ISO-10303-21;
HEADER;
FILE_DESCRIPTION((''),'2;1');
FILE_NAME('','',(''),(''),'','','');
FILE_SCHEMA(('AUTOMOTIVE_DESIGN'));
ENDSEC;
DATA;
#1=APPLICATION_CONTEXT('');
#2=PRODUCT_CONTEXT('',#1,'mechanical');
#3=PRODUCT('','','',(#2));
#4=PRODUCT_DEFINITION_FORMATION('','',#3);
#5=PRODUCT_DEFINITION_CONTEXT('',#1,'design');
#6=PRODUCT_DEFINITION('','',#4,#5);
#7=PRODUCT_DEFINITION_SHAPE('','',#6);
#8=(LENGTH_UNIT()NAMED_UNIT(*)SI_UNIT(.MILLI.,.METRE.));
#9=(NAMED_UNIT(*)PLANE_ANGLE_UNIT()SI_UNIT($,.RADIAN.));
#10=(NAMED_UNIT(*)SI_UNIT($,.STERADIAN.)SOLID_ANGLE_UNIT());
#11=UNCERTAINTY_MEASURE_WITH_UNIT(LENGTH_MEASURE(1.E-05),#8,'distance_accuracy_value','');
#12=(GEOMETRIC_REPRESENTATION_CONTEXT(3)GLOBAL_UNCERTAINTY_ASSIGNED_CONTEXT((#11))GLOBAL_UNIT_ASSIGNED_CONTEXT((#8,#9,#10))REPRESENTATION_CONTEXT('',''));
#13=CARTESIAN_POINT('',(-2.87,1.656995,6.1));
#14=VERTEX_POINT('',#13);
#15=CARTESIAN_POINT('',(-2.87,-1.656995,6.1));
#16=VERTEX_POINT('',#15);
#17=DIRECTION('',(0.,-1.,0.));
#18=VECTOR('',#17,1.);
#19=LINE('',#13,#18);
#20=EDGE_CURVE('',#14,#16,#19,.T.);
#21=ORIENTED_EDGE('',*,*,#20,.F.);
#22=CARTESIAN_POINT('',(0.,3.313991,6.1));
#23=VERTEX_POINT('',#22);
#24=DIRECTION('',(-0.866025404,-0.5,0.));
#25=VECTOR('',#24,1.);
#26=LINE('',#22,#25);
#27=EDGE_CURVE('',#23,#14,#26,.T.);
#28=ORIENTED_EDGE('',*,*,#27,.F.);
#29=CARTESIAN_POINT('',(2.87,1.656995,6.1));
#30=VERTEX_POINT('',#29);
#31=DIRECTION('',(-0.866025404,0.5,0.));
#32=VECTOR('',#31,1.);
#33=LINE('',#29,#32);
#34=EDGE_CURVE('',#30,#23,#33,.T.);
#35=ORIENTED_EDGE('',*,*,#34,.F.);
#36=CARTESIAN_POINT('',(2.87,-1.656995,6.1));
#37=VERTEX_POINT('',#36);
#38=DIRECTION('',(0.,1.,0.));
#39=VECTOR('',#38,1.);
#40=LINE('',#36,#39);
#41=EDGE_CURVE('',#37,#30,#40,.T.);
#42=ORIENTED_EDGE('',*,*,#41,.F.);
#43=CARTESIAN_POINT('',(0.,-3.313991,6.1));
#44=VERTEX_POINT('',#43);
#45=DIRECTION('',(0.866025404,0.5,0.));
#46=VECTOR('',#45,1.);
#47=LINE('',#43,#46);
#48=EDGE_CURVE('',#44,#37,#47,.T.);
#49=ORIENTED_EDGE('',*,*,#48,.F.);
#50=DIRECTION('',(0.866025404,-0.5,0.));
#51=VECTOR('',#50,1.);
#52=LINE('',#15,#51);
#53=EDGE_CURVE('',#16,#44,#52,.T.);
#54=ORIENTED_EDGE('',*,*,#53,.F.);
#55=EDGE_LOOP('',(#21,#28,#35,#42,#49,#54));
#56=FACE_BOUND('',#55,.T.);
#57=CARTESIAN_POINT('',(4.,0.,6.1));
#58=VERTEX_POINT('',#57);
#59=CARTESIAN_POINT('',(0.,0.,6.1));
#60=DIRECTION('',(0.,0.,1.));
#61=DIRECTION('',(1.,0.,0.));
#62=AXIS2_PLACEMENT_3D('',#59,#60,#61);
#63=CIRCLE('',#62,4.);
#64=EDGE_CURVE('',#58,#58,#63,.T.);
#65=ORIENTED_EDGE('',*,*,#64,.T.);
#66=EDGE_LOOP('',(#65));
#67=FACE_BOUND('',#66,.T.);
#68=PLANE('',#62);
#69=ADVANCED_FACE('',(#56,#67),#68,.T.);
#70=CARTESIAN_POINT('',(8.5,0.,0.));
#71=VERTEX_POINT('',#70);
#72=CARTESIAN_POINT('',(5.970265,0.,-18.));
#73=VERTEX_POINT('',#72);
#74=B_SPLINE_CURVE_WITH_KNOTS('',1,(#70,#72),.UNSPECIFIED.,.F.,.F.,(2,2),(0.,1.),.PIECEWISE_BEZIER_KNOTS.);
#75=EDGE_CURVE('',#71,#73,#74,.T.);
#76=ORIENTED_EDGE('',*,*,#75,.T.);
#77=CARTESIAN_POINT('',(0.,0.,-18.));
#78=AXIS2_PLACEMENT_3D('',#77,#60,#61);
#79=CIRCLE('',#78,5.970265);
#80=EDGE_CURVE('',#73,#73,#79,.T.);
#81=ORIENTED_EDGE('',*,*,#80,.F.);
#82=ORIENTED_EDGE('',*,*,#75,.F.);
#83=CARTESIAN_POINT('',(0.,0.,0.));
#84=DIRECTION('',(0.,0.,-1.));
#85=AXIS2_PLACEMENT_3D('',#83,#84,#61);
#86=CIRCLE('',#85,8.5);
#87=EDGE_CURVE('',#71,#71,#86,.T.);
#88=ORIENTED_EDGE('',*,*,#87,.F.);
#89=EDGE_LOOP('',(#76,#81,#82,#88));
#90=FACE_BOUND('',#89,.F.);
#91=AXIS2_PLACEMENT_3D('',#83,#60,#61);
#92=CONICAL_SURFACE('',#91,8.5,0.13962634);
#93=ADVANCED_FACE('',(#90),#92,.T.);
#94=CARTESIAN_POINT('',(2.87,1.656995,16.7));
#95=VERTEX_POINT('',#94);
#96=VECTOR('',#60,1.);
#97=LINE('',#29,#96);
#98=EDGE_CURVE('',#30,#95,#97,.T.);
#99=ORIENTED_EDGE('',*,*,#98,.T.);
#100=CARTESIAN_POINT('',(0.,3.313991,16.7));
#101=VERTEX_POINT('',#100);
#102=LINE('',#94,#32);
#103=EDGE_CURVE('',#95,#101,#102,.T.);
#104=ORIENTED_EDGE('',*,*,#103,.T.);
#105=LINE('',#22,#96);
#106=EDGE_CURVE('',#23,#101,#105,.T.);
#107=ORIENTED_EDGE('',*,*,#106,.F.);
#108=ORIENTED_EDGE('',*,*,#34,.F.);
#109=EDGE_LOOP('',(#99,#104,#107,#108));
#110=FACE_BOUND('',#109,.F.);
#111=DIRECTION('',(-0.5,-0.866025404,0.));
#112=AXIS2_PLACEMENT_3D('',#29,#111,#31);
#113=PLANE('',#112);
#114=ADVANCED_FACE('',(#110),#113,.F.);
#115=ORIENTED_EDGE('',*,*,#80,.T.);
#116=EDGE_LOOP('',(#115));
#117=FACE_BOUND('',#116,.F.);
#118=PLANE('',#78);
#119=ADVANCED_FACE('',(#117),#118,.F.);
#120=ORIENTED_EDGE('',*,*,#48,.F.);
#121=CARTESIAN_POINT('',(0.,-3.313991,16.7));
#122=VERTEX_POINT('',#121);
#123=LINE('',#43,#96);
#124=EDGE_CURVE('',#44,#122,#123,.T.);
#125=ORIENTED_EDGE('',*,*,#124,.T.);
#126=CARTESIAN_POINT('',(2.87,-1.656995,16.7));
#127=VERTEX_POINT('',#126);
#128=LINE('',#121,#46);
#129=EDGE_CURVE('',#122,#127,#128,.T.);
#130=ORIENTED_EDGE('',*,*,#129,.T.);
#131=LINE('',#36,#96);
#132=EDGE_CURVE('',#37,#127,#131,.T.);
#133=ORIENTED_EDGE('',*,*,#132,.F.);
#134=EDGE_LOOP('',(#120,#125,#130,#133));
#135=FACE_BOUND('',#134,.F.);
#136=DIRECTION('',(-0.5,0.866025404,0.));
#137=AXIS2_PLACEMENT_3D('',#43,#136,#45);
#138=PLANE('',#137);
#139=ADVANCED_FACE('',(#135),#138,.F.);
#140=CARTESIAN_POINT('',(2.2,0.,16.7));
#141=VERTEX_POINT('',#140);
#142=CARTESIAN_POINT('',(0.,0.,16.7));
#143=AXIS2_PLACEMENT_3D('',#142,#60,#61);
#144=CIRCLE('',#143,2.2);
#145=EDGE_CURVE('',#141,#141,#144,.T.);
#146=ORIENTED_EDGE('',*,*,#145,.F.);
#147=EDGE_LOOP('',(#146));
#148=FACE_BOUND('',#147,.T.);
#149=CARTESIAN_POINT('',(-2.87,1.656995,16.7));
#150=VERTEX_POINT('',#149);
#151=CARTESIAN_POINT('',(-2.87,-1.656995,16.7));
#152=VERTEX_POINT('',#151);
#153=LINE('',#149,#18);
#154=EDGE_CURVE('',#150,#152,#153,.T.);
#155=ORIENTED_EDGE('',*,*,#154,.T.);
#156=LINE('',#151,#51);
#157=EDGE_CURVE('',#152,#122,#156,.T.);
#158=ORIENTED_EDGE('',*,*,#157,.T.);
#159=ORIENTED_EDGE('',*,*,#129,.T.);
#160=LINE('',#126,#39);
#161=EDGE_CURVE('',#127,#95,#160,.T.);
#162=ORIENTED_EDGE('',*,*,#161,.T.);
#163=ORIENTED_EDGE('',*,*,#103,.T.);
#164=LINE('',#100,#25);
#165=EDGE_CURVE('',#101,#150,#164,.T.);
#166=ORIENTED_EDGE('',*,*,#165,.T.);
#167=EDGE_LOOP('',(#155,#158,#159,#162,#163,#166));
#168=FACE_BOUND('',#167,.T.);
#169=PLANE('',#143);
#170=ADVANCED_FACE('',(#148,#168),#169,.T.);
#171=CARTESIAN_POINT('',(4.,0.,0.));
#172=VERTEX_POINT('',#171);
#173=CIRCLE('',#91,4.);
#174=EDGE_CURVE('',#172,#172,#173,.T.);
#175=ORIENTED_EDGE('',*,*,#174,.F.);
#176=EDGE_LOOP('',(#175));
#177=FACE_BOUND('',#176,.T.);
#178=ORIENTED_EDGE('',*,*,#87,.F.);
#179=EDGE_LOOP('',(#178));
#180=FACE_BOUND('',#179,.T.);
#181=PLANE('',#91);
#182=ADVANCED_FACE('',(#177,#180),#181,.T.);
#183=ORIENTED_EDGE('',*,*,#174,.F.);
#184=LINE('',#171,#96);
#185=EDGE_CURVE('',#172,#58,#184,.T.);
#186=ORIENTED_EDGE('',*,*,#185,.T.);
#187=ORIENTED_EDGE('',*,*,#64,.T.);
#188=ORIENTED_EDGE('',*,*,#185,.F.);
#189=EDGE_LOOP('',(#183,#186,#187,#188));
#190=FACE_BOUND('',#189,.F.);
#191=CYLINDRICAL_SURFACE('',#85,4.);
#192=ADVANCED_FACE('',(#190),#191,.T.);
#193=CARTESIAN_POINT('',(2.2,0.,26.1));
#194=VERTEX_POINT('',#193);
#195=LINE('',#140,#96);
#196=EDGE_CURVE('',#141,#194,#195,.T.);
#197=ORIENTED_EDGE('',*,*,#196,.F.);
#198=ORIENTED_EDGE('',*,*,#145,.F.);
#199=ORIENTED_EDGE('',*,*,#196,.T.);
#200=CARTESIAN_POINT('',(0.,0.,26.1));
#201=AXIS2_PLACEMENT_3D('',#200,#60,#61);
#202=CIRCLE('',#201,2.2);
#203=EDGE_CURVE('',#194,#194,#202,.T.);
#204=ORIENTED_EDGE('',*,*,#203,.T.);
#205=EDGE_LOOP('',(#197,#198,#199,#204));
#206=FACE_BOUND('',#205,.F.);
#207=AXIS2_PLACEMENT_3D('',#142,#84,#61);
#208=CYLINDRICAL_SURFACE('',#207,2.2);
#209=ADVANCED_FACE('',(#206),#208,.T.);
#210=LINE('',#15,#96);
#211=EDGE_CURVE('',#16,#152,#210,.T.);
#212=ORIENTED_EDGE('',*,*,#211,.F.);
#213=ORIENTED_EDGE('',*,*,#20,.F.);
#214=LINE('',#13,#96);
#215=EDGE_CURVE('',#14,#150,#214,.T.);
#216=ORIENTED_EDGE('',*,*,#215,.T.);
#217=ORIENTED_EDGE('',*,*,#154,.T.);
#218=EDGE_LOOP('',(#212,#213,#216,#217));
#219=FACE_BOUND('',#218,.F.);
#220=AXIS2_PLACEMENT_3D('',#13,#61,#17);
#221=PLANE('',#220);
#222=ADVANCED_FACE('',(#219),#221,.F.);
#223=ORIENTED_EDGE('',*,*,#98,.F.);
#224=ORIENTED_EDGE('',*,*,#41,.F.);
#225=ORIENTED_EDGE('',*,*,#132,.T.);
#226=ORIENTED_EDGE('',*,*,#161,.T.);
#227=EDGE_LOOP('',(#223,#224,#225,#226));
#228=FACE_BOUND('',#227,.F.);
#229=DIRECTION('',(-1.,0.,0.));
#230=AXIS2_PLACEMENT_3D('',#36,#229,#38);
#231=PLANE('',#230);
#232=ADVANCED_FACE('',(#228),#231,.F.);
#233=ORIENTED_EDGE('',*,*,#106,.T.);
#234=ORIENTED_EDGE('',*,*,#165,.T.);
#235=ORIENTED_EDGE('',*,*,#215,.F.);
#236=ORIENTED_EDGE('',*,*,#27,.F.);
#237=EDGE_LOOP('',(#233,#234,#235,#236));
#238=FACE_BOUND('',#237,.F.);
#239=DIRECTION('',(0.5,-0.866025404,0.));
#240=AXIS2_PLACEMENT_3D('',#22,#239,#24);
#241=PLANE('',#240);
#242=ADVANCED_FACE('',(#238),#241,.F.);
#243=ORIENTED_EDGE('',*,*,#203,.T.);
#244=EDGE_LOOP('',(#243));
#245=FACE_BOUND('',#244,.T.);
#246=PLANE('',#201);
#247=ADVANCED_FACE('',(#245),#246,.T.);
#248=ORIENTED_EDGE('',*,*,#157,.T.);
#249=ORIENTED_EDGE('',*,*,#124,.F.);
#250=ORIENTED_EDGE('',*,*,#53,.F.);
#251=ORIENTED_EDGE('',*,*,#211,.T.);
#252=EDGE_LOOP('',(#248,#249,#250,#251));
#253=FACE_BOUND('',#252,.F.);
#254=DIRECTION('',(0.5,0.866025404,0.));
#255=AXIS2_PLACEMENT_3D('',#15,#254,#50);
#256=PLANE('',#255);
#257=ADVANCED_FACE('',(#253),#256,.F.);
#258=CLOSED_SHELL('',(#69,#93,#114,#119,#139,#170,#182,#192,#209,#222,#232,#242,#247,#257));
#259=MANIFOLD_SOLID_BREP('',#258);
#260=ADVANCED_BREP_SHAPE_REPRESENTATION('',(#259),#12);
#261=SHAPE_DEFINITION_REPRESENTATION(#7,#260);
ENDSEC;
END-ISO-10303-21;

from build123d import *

# Parameters (mm, degrees)
F0_R     = 8.5
F1_DEPTH = 18
F1_TAPER = 8
F2_R     = 4
F3_DEPTH = 6.1
F5_DEPTH = 10.6
F6_R     = 2.2
F7_DEPTH = 9.4


with BuildPart() as f1:
    # F0 (on Top) → F1 (new body)
    with BuildSketch(Plane.XY):
        Circle(F0_R)
    extrude(amount=-F1_DEPTH, taper=F1_TAPER)

    # F2 (on Top) → F3 (join)
    with BuildSketch(Plane.XY):
        Circle(F2_R)
    extrude(amount=F3_DEPTH)

    # F4 (on face) → F5 (join)
    with BuildSketch(Plane.XY.offset(6.1)):
        Polygon((0, -3.3139905451), (2.87, -1.6569952726), (2.87, 1.6569952726), (0, 3.3139905451), (-2.87, 1.6569952726), (-2.87, -1.6569952726), align=None)
    extrude(amount=F5_DEPTH)

    # F6 (on face) → F7 (join)
    with BuildSketch(Plane.XY.offset(16.7)):
        Circle(F6_R)
    extrude(amount=F7_DEPTH)


solid = f1.part
